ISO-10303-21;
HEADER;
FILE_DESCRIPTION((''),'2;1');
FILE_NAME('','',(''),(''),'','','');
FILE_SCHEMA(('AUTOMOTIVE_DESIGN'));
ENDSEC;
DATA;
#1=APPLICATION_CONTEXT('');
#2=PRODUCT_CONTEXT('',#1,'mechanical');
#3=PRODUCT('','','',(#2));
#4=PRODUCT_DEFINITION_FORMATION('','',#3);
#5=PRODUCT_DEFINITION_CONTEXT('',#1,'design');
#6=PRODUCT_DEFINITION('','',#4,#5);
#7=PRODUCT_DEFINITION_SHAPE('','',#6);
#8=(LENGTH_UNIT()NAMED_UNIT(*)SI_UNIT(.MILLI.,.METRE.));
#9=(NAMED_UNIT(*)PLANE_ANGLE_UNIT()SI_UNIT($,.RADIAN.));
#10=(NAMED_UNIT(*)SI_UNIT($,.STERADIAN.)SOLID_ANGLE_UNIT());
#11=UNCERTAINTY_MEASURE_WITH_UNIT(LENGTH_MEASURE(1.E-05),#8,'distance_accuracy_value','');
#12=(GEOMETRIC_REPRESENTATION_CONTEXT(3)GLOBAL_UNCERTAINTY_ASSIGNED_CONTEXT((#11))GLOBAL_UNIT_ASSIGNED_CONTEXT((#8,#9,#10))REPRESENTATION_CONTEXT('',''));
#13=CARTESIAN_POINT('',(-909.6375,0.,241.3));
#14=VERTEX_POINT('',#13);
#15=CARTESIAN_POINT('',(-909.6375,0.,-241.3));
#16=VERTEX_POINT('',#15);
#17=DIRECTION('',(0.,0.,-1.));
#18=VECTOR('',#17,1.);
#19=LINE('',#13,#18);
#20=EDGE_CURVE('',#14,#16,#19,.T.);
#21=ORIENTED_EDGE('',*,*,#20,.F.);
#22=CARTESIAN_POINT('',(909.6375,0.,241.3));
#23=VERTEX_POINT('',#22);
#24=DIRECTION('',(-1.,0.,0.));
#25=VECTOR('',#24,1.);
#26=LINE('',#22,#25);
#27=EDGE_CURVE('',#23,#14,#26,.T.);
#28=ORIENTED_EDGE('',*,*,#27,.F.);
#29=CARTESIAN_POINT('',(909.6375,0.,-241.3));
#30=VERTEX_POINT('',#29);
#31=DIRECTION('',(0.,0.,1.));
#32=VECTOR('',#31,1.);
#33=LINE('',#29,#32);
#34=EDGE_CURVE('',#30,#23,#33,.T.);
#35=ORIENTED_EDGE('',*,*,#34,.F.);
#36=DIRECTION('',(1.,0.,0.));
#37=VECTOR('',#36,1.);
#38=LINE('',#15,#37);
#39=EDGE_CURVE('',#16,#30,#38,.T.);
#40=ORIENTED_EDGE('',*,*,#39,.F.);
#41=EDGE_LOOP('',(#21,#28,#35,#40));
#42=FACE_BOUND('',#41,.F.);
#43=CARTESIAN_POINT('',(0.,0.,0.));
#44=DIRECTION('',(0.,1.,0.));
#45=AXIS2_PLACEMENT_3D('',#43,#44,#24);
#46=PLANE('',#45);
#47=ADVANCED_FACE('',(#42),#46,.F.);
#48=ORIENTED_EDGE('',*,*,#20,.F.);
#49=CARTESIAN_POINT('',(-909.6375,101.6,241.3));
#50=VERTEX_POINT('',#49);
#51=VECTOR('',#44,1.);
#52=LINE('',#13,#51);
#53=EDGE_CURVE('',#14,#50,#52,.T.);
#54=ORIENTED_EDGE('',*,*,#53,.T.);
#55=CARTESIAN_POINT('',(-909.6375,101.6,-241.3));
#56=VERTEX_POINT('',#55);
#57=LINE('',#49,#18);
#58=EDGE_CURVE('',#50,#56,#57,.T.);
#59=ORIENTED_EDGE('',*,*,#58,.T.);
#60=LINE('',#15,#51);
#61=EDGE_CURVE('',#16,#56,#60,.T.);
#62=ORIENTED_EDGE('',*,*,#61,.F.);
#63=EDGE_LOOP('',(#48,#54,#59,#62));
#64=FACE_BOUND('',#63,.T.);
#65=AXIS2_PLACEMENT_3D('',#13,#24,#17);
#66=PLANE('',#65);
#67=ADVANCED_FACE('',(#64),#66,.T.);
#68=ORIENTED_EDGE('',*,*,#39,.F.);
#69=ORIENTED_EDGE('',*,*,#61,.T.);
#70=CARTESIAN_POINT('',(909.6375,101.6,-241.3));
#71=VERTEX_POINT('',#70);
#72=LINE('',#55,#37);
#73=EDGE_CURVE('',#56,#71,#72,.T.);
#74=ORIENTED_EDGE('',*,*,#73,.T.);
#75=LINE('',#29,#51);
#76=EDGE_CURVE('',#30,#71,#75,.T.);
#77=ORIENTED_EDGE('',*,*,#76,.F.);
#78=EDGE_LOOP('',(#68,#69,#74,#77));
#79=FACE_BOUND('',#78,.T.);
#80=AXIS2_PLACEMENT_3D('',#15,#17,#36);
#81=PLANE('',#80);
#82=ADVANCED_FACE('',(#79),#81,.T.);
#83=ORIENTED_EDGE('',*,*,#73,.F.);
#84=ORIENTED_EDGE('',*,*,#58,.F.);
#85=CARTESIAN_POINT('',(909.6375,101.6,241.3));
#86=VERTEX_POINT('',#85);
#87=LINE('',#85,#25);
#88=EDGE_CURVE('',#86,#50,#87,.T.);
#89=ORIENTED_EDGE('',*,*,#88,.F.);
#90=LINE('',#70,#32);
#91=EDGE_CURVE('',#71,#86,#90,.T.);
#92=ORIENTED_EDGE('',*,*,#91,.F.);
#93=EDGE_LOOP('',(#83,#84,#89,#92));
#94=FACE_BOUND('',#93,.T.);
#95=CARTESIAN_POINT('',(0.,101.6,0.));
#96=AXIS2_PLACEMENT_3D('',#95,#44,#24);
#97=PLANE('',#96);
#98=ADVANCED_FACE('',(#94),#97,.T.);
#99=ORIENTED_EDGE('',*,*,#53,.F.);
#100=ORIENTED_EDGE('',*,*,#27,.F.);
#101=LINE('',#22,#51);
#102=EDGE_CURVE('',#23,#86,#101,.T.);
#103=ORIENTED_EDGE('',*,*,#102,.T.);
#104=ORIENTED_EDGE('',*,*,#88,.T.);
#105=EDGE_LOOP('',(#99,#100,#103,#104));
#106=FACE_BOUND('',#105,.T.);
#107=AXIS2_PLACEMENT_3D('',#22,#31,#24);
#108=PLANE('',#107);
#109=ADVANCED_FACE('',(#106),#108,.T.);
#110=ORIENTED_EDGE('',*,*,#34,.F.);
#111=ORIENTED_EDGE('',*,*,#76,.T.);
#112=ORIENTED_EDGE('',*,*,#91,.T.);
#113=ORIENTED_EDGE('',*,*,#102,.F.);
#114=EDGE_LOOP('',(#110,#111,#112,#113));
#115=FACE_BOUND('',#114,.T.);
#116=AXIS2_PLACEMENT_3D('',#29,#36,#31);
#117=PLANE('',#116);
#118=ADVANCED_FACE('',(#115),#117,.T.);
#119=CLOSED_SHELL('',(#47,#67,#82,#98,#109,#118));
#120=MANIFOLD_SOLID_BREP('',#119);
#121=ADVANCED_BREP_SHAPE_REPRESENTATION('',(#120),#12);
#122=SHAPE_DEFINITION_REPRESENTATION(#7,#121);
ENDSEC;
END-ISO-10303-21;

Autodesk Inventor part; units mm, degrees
ref_plane "YZ Plane" through (0, 0, 0) normal (1, 0, 0) x (0, 1, 0)
ref_plane "XZ Plane" through (0, 0, 0) normal (0, 1, 0) x (-1, 0, 0)
ref_plane "XY Plane" through (0, 0, 0) normal (0, 0, 1) x (1, 0, 0)
sketch "Sketch1" plane through (0, 0, 0) normal (0, 1, 0) x (-1, 0, 0)
  line L0 (909.6375, -241.3) -> (-909.6375, -241.3)
  line L1 (-909.6375, -241.3) -> (-909.6375, 241.3)
  line L2 (-909.6375, 241.3) -> (909.6375, 241.3)
  line L3 (909.6375, 241.3) -> (909.6375, -241.3)
  line L4 (909.6375, -241.3) -> (-909.6375, 241.3) construction
  line L5 (-909.6375, -241.3) -> (909.6375, 241.3) construction
  point P0 (0, 0)
  dimension "d0" = 1819.275
  dimension "d1" = 482.6
extrude "Extrusion1" add sketch "Sketch1" along normal blind 101.6
properties part number "cap - 66" material "Granite, Cut, Polished"
